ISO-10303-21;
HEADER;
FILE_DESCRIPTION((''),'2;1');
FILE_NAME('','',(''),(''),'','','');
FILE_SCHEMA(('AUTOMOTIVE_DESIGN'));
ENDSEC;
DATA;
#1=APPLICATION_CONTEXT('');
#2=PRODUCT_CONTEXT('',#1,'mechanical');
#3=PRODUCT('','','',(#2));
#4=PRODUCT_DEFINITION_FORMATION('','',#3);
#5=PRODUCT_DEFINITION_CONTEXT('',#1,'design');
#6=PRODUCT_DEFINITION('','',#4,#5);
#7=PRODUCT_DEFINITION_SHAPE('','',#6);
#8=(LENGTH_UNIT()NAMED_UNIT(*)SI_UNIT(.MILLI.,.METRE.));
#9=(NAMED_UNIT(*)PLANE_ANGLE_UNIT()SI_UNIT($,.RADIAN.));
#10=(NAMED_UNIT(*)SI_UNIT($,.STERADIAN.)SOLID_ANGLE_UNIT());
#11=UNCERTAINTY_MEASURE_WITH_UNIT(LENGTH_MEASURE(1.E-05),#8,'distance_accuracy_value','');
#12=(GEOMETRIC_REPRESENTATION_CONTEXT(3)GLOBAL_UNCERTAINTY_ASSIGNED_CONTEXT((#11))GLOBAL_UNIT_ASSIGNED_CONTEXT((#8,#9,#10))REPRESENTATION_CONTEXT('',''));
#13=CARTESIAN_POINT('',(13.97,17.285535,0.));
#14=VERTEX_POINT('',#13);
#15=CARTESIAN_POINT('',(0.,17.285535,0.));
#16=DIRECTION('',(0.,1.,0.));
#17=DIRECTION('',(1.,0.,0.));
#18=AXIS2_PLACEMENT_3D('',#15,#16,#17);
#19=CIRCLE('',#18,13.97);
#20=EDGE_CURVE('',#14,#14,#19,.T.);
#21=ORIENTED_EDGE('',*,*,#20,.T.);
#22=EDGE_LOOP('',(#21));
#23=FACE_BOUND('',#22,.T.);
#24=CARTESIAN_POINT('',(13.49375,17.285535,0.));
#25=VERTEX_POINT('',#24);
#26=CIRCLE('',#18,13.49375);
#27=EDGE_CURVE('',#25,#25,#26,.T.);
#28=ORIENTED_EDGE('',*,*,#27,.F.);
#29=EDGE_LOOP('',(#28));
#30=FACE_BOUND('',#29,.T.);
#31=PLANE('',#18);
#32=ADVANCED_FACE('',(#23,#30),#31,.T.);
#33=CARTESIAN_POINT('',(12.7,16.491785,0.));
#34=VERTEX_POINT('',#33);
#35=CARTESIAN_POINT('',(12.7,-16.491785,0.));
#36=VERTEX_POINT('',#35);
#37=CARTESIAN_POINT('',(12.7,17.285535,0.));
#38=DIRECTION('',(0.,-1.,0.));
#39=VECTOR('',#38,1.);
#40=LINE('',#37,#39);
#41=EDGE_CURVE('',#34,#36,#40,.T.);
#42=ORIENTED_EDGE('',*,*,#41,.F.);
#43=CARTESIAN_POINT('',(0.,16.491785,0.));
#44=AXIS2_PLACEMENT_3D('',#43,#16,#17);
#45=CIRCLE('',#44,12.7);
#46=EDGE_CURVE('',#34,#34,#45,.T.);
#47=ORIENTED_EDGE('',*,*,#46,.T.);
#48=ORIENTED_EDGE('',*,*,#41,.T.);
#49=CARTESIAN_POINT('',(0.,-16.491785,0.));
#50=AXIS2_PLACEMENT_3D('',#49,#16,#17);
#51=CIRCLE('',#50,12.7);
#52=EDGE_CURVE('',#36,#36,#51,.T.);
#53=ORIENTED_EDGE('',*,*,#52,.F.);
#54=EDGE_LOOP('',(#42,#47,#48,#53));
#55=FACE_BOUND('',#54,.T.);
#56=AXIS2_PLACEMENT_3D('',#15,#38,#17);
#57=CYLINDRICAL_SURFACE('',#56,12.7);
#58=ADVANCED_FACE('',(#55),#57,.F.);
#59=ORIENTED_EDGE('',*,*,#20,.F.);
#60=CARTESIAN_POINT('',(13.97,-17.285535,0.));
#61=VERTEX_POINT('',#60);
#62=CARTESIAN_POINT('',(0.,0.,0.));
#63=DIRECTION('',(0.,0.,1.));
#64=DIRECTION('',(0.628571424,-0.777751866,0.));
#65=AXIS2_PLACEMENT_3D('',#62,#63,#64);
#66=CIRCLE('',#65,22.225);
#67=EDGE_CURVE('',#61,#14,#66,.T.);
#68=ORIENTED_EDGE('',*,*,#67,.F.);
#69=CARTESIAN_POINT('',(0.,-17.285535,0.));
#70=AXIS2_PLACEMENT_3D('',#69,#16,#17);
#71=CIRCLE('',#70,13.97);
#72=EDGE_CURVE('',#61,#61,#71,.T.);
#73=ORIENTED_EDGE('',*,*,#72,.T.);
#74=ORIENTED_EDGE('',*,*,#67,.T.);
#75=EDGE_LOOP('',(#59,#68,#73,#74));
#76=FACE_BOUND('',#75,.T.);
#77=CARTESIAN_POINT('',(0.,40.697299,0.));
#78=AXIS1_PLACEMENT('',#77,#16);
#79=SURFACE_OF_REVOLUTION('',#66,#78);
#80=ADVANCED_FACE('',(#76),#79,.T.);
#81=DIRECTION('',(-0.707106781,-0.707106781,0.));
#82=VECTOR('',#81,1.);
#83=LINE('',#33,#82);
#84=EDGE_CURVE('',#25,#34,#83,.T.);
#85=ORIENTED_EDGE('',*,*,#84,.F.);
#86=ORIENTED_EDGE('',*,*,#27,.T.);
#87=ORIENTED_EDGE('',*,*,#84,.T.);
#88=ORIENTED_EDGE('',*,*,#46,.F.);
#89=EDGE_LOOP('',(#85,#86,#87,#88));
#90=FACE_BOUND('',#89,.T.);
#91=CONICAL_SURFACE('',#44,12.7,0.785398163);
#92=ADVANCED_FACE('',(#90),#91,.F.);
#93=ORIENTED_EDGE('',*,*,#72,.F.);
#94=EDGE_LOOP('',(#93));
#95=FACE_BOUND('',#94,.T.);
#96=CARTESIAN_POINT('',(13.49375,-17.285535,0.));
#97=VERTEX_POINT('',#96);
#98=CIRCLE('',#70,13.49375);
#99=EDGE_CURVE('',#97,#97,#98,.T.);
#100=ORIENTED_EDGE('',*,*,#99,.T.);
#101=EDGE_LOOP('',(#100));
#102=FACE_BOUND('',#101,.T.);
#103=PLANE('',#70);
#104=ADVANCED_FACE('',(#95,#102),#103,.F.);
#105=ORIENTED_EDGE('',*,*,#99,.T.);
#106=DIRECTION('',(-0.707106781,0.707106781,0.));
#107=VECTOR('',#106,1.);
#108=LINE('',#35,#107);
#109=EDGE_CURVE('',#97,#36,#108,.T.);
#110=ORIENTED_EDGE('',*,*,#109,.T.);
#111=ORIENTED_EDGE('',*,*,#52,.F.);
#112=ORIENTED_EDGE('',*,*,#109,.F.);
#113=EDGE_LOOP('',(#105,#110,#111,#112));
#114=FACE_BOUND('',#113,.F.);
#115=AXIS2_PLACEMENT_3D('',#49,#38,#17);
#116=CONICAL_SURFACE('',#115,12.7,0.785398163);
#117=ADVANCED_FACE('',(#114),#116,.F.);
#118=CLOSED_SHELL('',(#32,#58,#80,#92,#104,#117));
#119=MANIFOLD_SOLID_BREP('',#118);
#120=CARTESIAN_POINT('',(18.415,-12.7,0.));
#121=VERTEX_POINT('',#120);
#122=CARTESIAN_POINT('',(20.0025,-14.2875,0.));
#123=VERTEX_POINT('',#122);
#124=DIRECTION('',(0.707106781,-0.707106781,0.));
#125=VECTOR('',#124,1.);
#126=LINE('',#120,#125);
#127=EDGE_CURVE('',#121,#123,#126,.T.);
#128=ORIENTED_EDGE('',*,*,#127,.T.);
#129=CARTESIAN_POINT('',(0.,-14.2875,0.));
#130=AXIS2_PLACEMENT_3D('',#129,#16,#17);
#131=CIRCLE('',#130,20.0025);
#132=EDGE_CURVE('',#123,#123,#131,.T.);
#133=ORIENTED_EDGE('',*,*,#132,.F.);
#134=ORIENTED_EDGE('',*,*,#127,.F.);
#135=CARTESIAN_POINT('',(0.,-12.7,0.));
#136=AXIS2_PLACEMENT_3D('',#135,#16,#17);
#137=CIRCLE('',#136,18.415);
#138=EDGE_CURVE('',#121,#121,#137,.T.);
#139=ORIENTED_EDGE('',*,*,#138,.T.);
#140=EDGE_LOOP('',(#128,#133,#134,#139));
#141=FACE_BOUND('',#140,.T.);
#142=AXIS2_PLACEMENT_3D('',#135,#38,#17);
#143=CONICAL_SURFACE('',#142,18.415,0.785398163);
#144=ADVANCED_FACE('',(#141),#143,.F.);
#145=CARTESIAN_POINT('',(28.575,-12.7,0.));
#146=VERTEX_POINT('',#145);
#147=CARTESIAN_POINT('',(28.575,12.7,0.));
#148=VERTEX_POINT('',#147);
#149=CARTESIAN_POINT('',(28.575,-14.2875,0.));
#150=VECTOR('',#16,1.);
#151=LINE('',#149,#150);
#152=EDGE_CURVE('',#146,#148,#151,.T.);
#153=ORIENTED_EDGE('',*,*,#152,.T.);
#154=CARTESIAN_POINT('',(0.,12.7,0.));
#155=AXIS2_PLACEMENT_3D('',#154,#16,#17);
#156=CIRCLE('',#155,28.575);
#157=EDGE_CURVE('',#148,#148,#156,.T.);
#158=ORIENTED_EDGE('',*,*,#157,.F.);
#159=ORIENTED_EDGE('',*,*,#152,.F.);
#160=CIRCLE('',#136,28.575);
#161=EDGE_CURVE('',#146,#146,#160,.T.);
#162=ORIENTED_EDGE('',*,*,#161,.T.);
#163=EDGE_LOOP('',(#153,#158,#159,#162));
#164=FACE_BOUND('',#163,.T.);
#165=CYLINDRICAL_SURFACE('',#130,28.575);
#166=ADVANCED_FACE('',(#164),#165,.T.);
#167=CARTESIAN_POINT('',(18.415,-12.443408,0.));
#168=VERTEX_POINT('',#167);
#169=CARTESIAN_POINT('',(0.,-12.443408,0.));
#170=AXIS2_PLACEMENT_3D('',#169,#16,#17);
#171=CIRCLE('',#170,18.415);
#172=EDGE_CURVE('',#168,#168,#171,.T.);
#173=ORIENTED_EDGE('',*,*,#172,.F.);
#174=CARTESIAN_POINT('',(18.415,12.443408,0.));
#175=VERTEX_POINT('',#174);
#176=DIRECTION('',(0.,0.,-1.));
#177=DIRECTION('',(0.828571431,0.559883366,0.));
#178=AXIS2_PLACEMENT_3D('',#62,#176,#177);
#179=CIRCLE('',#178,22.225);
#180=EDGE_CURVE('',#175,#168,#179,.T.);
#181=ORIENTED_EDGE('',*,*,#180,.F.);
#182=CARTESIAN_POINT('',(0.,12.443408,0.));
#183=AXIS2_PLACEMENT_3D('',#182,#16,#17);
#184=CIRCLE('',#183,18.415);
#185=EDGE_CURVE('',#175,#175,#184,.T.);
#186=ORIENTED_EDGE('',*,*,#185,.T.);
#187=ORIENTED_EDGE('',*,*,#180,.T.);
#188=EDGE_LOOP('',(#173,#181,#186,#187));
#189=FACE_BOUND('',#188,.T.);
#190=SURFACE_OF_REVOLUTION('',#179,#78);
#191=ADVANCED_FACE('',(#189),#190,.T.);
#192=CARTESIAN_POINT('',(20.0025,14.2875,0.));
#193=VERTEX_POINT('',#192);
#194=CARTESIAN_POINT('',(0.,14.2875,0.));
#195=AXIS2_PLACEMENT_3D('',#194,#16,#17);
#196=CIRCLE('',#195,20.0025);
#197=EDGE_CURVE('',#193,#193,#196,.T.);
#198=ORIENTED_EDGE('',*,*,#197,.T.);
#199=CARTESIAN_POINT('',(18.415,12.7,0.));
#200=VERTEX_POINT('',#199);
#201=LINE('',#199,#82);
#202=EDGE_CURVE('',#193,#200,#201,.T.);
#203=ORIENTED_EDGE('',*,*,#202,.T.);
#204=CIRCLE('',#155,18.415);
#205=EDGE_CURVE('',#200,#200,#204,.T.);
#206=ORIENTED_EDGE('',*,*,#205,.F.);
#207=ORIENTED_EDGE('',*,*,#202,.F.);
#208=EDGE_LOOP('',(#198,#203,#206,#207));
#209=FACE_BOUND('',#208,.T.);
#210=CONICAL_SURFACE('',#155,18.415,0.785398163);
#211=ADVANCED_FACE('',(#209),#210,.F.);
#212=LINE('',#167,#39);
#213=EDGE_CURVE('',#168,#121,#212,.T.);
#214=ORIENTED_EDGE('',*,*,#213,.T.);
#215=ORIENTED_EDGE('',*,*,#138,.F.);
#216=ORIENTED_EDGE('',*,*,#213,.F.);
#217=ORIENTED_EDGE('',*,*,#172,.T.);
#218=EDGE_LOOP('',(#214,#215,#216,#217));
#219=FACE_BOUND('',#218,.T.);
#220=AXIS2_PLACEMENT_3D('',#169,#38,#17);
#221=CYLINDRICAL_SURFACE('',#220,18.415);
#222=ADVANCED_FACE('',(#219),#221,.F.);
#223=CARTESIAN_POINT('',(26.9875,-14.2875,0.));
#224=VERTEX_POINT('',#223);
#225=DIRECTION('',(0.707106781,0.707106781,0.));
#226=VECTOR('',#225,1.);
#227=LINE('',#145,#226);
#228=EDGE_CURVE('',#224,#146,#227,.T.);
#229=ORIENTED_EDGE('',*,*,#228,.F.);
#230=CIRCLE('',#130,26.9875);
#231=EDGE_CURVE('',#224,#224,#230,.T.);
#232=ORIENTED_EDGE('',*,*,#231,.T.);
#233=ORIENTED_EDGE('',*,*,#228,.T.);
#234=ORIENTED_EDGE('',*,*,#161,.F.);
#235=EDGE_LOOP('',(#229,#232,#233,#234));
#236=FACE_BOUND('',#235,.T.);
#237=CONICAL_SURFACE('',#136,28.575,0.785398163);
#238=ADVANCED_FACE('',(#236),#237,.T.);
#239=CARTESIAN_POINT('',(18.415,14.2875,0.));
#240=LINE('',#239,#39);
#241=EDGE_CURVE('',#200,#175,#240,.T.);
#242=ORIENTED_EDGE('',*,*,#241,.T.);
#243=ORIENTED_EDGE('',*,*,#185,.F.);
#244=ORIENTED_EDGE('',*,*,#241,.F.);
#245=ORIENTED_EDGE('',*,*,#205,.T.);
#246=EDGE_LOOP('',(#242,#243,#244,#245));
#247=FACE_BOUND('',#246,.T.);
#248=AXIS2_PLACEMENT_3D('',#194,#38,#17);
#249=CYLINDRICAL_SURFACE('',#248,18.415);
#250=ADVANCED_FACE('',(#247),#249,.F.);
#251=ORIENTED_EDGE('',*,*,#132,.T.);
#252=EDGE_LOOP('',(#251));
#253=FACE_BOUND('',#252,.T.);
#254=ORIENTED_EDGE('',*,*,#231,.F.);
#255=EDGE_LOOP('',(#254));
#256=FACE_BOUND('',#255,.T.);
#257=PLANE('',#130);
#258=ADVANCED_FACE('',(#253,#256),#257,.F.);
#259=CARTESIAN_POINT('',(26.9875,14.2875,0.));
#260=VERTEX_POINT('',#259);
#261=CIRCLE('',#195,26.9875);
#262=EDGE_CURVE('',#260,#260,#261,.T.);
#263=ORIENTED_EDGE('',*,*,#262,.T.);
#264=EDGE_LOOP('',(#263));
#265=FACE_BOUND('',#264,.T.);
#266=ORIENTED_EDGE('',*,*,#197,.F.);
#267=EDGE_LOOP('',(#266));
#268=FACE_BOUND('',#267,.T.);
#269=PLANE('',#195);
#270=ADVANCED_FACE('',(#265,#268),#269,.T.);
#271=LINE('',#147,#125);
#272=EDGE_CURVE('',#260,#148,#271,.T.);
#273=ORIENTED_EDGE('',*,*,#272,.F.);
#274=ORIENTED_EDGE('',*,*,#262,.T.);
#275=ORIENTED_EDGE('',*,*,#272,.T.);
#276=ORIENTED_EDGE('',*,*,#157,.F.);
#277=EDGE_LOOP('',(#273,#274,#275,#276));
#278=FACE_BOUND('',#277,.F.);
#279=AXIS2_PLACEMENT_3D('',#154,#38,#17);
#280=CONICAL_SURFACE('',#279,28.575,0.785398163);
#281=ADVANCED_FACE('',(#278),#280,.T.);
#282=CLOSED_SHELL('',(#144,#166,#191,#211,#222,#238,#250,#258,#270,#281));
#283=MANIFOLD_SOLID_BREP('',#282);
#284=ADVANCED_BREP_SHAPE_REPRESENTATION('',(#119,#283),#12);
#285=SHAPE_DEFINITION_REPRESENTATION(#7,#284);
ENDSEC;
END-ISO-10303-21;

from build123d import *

# Parameters (mm, degrees)
F5_SIZE = 1.5875
F6_SIZE = 0.79375
F7_SIZE = 1.5875


with BuildPart() as f2:
    # F0 (on Top) → F2 (revolve)
    with BuildSketch(Plane.XY):
        with BuildLine():
            Line((12.7, -17.285535), (13.97, -17.285535))
            ThreePointArc((13.97, -17.285535), (22.225, 0), (13.97, 17.285535))
            Line((13.97, 17.285535), (12.7, 17.285535))
            Line((12.7, 17.285535), (12.7, -17.285535))
        make_face()
    revolve(axis=Axis((0, 40.697299, 0), (0, 1, 0)))

    # F6
    f6_edges = [f2.edges().sort_by_distance(p)[0] for p in [
        (-12.7, 17.285535, 0),
        (-12.7, -17.285535, 0),
    ]]
    chamfer(f6_edges, length=F6_SIZE)


with BuildPart() as f4:
    # F3 (on Top) → F4 (revolve)
    with BuildSketch(Plane.XY):
        with BuildLine():
            Line((28.575, 14.2875), (18.415, 14.2875))
            Line((18.415, 14.2875), (18.415, 12.443408))
            ThreePointArc((18.415, 12.443408), (22.225, 0), (18.415, -12.443408))
            Line((18.415, -12.443408), (18.415, -14.2875))
            Line((18.415, -14.2875), (28.575, -14.2875))
            Line((28.575, -14.2875), (28.575, 14.2875))
        make_face()
    revolve(axis=Axis((0, 40.697299, 0), (0, 1, 0)))

    # F5
    f5_edges = [f4.edges().sort_by_distance(p)[0] for p in [
        (-28.575, 14.2875, 0),
        (-28.575, -14.2875, 0),
    ]]
    chamfer(f5_edges, length=F5_SIZE)

    # F7
    f7_edges = [f4.edges().sort_by_distance(p)[0] for p in [
        (-18.415, -14.2875, 0),
        (-18.415, 14.2875, 0),
    ]]
    chamfer(f7_edges, length=F7_SIZE)


solid = Compound([f2.part, f4.part])
